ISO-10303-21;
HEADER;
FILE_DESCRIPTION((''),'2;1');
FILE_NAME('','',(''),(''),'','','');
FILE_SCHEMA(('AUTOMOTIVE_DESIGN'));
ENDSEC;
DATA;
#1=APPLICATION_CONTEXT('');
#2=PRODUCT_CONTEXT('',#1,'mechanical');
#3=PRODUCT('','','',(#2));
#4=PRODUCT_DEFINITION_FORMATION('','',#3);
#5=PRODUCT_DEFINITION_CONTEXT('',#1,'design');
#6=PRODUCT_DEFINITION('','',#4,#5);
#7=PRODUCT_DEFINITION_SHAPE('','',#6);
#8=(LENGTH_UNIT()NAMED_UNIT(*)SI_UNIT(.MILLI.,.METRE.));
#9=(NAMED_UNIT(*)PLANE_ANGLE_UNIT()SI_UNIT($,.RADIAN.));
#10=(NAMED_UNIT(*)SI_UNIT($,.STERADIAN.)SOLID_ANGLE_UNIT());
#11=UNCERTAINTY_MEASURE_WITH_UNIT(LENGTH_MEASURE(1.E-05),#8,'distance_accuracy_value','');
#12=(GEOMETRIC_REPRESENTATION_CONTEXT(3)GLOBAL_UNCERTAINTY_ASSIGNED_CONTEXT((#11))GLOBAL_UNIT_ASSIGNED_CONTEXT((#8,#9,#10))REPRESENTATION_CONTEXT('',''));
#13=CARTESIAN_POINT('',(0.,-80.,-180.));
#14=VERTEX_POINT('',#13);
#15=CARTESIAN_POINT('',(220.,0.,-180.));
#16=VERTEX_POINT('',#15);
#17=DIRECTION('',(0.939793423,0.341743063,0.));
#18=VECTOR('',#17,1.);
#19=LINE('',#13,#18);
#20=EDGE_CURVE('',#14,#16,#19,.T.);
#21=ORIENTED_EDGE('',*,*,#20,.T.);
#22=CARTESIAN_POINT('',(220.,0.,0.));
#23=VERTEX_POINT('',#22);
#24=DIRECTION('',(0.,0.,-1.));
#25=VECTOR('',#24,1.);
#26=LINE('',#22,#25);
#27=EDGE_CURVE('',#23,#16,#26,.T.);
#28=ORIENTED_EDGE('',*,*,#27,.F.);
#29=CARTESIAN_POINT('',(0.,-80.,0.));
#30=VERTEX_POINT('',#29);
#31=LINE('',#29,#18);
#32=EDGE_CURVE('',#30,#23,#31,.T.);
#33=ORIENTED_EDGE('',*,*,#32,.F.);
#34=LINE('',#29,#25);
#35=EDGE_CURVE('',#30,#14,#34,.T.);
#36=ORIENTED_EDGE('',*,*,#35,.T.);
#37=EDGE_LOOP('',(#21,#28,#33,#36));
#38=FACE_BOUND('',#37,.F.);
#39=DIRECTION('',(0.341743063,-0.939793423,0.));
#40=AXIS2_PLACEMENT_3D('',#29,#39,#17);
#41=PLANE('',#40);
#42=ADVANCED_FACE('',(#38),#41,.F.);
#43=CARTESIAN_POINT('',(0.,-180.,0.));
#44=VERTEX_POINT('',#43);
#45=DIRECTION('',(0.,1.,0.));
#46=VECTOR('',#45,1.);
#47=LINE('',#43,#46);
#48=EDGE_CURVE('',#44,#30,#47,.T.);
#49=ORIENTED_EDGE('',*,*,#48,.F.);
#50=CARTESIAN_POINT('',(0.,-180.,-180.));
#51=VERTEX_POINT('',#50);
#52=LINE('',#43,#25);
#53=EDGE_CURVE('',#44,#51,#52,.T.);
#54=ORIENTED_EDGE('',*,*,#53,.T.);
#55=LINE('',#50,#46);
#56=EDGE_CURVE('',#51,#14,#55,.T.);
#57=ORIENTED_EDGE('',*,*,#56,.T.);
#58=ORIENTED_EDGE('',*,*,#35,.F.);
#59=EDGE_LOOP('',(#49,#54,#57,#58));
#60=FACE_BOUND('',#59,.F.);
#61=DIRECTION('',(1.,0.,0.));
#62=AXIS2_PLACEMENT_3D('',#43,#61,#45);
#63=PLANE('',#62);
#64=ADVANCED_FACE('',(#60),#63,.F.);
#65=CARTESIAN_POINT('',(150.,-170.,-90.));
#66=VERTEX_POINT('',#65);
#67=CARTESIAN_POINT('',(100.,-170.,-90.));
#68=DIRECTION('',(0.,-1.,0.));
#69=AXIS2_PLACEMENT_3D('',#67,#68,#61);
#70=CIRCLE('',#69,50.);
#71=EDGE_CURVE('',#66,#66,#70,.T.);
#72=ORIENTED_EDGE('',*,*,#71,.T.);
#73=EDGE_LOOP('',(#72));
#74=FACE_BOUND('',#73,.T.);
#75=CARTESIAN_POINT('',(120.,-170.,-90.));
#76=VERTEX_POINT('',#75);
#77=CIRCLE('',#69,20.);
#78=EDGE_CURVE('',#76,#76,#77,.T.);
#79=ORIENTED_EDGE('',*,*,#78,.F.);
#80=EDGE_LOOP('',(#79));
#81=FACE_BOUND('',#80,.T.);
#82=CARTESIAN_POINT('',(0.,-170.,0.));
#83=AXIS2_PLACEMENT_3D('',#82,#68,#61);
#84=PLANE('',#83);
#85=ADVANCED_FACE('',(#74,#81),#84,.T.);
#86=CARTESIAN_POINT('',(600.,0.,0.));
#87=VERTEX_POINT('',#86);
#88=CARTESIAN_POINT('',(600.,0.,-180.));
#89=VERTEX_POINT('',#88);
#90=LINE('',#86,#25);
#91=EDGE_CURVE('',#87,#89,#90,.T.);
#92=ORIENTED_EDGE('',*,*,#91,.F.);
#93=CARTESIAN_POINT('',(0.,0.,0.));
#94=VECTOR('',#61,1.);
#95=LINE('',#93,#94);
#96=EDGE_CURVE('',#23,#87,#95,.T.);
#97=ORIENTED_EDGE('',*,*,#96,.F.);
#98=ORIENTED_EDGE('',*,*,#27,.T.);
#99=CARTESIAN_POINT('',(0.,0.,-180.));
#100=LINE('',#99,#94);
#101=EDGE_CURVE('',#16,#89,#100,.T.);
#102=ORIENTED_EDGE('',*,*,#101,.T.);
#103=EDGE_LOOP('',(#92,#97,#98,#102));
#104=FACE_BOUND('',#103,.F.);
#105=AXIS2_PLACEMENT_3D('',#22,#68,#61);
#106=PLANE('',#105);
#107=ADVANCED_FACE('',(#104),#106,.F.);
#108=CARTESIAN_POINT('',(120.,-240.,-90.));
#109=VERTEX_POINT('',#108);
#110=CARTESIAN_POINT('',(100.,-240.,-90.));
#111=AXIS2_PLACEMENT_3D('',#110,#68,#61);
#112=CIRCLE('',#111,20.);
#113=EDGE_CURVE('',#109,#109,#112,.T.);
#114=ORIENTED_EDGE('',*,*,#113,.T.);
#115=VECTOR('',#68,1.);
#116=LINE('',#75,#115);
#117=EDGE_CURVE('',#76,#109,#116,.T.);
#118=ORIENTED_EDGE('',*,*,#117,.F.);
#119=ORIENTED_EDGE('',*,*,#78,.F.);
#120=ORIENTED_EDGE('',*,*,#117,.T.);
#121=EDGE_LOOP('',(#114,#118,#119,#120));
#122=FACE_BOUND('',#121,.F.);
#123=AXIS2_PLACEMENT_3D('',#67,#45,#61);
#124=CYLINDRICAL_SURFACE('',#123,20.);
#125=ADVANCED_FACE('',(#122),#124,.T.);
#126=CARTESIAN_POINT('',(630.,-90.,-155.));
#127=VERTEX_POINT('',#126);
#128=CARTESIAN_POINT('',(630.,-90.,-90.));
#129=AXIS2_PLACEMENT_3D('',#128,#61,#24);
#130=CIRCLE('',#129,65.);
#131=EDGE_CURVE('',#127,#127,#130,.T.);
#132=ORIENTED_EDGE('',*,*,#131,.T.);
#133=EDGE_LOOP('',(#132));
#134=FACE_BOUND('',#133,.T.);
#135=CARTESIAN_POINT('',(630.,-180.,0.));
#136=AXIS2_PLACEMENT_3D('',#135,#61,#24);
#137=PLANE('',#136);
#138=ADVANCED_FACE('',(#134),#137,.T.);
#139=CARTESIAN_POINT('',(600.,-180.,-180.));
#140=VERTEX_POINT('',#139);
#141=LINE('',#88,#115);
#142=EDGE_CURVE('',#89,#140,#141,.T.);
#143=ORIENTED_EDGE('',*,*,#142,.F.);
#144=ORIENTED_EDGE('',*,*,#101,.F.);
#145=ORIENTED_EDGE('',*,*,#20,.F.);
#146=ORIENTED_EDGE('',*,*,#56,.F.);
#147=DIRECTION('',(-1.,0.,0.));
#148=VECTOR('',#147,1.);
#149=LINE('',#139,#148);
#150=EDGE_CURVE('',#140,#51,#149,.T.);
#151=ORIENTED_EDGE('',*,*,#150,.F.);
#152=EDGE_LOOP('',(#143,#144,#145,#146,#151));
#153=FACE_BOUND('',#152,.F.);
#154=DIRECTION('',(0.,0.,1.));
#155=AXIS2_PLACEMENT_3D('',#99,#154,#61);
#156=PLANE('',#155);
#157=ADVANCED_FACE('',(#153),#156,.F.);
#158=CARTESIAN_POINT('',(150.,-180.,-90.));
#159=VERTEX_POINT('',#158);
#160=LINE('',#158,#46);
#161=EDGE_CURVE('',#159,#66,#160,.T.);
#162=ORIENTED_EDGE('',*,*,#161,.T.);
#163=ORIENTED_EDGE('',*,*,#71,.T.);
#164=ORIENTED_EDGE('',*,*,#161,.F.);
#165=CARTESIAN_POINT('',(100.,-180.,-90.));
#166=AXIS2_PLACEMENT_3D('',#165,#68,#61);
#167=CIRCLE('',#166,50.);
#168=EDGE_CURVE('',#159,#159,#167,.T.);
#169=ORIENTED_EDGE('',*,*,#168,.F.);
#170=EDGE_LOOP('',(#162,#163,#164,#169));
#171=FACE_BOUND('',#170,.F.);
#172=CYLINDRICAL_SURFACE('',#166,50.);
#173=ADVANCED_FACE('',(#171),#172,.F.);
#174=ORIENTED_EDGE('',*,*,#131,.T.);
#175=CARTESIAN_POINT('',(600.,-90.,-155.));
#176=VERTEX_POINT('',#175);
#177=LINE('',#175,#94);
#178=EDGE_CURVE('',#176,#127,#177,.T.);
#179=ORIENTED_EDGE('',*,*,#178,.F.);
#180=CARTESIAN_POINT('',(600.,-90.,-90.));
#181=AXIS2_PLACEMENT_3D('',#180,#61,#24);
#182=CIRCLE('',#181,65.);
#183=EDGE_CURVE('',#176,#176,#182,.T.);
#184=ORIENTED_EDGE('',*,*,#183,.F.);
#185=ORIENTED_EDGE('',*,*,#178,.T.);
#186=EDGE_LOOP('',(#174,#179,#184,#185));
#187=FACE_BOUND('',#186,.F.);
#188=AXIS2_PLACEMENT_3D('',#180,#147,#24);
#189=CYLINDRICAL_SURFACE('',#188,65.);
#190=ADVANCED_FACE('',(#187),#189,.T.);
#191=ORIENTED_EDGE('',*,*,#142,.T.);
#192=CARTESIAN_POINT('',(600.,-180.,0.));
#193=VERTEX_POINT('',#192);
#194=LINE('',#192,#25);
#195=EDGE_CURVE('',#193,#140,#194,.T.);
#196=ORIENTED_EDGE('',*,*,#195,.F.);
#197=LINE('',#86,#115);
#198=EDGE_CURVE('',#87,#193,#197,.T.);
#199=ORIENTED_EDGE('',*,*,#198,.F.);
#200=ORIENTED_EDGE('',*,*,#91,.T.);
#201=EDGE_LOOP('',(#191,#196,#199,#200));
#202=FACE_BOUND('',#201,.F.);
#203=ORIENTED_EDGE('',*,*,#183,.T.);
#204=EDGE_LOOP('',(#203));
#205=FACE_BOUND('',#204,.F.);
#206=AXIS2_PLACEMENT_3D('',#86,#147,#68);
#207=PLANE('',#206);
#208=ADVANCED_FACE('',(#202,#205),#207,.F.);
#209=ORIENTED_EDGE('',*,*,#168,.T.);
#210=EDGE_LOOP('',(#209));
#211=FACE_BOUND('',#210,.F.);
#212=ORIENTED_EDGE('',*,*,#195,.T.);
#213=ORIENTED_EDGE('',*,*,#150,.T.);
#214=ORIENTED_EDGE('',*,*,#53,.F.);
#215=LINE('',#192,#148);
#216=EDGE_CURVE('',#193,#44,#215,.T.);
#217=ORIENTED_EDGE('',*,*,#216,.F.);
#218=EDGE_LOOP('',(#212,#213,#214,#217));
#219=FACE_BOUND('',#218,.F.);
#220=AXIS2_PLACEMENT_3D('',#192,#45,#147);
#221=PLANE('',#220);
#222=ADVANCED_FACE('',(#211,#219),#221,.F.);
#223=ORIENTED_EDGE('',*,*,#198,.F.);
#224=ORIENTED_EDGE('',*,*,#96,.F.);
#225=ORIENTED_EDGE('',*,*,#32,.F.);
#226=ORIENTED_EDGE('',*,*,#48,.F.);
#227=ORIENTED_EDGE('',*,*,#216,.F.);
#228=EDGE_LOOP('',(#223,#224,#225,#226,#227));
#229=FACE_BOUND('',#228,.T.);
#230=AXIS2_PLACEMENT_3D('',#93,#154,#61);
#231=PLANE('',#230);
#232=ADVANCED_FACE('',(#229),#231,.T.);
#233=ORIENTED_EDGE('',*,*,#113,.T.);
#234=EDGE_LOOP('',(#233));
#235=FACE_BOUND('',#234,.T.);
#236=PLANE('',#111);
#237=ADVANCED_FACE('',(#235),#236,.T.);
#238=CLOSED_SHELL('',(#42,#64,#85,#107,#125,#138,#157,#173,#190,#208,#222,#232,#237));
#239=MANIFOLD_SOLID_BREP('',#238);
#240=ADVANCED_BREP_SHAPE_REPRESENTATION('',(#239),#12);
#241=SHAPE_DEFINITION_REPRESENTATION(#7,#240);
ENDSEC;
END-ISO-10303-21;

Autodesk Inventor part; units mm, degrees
ref_plane "YZ Plane" through (0, 0, 0) normal (1, 0, 0) x (0, 1, 0)
ref_plane "XZ Plane" through (0, 0, 0) normal (0, 1, 0) x (-1, 0, 0)
ref_plane "XY Plane" through (0, 0, 0) normal (0, 0, 1) x (1, 0, 0)
sketch "Náčrt1" plane through (0, 0, 0) normal (0, 0, 1) x (1, 0, 0)
  line L0 (0, 0) -> (600, 0)
  line L1 (600, 0) -> (600, -180)
  line L2 (600, -180) -> (0, -180)
  line L3 (0, -180) -> (0, 0)
  line L4 (0, -80) -> (220, 0)
  dimension "d43" = 600
  dimension "d44" = 180
  dimension "d45" = 100
  dimension "d46" = 220
extrude "Vysunutí1" add sketch "Náčrt1" against normal blind 180 contours L0 L1 L2 L3 L4
sketch "Náčrt6" plane through (600, -180, 0) normal (1, 0, 0) x (0, 0, -1)
  line L0 (180, 180) -> (180, 0) projected
  line L1 (0, 0) -> (0, 180) projected
  line L2 (180, 180) -> (0, 0) construction
  circle A0 centre (90, 90) radius 65
  dimension "d47" = 130
extrude "Vysunutí6" add sketch "Náčrt6" along normal blind 30
sketch "Náčrt7" plane through (0, -180, 0) normal (0, -1, 0) x (1, 0, 0)
  circle A0 centre (100, -90) radius 50
  line L0 (0, 0) -> (0, -180) projected
  line L1 (0, -90) -> (285.9708, -90) construction
  dimension "d50" = 100
  dimension "d51" = 100
extrude "Vysunutí7" cut sketch "Náčrt7" against normal blind 10
sketch "Náčrt8" plane through (100, -170, -90) normal (0, -1, 0) x (1, 0, 0)
  circle A0 centre (0, 0) radius 20
  point P0 (-100, 90)
  dimension "d54" = 40
extrude "Vysunutí8" add sketch "Náčrt8" along normal blind 70
sketch "Náčrt5" plane through (0, 0, 0) normal (0, 0, 1) x (-1, 0, 0)
  circle A0 centre (0, 0) radius 65
  dimension "d40" = 130
properties part number "B7-A3"
